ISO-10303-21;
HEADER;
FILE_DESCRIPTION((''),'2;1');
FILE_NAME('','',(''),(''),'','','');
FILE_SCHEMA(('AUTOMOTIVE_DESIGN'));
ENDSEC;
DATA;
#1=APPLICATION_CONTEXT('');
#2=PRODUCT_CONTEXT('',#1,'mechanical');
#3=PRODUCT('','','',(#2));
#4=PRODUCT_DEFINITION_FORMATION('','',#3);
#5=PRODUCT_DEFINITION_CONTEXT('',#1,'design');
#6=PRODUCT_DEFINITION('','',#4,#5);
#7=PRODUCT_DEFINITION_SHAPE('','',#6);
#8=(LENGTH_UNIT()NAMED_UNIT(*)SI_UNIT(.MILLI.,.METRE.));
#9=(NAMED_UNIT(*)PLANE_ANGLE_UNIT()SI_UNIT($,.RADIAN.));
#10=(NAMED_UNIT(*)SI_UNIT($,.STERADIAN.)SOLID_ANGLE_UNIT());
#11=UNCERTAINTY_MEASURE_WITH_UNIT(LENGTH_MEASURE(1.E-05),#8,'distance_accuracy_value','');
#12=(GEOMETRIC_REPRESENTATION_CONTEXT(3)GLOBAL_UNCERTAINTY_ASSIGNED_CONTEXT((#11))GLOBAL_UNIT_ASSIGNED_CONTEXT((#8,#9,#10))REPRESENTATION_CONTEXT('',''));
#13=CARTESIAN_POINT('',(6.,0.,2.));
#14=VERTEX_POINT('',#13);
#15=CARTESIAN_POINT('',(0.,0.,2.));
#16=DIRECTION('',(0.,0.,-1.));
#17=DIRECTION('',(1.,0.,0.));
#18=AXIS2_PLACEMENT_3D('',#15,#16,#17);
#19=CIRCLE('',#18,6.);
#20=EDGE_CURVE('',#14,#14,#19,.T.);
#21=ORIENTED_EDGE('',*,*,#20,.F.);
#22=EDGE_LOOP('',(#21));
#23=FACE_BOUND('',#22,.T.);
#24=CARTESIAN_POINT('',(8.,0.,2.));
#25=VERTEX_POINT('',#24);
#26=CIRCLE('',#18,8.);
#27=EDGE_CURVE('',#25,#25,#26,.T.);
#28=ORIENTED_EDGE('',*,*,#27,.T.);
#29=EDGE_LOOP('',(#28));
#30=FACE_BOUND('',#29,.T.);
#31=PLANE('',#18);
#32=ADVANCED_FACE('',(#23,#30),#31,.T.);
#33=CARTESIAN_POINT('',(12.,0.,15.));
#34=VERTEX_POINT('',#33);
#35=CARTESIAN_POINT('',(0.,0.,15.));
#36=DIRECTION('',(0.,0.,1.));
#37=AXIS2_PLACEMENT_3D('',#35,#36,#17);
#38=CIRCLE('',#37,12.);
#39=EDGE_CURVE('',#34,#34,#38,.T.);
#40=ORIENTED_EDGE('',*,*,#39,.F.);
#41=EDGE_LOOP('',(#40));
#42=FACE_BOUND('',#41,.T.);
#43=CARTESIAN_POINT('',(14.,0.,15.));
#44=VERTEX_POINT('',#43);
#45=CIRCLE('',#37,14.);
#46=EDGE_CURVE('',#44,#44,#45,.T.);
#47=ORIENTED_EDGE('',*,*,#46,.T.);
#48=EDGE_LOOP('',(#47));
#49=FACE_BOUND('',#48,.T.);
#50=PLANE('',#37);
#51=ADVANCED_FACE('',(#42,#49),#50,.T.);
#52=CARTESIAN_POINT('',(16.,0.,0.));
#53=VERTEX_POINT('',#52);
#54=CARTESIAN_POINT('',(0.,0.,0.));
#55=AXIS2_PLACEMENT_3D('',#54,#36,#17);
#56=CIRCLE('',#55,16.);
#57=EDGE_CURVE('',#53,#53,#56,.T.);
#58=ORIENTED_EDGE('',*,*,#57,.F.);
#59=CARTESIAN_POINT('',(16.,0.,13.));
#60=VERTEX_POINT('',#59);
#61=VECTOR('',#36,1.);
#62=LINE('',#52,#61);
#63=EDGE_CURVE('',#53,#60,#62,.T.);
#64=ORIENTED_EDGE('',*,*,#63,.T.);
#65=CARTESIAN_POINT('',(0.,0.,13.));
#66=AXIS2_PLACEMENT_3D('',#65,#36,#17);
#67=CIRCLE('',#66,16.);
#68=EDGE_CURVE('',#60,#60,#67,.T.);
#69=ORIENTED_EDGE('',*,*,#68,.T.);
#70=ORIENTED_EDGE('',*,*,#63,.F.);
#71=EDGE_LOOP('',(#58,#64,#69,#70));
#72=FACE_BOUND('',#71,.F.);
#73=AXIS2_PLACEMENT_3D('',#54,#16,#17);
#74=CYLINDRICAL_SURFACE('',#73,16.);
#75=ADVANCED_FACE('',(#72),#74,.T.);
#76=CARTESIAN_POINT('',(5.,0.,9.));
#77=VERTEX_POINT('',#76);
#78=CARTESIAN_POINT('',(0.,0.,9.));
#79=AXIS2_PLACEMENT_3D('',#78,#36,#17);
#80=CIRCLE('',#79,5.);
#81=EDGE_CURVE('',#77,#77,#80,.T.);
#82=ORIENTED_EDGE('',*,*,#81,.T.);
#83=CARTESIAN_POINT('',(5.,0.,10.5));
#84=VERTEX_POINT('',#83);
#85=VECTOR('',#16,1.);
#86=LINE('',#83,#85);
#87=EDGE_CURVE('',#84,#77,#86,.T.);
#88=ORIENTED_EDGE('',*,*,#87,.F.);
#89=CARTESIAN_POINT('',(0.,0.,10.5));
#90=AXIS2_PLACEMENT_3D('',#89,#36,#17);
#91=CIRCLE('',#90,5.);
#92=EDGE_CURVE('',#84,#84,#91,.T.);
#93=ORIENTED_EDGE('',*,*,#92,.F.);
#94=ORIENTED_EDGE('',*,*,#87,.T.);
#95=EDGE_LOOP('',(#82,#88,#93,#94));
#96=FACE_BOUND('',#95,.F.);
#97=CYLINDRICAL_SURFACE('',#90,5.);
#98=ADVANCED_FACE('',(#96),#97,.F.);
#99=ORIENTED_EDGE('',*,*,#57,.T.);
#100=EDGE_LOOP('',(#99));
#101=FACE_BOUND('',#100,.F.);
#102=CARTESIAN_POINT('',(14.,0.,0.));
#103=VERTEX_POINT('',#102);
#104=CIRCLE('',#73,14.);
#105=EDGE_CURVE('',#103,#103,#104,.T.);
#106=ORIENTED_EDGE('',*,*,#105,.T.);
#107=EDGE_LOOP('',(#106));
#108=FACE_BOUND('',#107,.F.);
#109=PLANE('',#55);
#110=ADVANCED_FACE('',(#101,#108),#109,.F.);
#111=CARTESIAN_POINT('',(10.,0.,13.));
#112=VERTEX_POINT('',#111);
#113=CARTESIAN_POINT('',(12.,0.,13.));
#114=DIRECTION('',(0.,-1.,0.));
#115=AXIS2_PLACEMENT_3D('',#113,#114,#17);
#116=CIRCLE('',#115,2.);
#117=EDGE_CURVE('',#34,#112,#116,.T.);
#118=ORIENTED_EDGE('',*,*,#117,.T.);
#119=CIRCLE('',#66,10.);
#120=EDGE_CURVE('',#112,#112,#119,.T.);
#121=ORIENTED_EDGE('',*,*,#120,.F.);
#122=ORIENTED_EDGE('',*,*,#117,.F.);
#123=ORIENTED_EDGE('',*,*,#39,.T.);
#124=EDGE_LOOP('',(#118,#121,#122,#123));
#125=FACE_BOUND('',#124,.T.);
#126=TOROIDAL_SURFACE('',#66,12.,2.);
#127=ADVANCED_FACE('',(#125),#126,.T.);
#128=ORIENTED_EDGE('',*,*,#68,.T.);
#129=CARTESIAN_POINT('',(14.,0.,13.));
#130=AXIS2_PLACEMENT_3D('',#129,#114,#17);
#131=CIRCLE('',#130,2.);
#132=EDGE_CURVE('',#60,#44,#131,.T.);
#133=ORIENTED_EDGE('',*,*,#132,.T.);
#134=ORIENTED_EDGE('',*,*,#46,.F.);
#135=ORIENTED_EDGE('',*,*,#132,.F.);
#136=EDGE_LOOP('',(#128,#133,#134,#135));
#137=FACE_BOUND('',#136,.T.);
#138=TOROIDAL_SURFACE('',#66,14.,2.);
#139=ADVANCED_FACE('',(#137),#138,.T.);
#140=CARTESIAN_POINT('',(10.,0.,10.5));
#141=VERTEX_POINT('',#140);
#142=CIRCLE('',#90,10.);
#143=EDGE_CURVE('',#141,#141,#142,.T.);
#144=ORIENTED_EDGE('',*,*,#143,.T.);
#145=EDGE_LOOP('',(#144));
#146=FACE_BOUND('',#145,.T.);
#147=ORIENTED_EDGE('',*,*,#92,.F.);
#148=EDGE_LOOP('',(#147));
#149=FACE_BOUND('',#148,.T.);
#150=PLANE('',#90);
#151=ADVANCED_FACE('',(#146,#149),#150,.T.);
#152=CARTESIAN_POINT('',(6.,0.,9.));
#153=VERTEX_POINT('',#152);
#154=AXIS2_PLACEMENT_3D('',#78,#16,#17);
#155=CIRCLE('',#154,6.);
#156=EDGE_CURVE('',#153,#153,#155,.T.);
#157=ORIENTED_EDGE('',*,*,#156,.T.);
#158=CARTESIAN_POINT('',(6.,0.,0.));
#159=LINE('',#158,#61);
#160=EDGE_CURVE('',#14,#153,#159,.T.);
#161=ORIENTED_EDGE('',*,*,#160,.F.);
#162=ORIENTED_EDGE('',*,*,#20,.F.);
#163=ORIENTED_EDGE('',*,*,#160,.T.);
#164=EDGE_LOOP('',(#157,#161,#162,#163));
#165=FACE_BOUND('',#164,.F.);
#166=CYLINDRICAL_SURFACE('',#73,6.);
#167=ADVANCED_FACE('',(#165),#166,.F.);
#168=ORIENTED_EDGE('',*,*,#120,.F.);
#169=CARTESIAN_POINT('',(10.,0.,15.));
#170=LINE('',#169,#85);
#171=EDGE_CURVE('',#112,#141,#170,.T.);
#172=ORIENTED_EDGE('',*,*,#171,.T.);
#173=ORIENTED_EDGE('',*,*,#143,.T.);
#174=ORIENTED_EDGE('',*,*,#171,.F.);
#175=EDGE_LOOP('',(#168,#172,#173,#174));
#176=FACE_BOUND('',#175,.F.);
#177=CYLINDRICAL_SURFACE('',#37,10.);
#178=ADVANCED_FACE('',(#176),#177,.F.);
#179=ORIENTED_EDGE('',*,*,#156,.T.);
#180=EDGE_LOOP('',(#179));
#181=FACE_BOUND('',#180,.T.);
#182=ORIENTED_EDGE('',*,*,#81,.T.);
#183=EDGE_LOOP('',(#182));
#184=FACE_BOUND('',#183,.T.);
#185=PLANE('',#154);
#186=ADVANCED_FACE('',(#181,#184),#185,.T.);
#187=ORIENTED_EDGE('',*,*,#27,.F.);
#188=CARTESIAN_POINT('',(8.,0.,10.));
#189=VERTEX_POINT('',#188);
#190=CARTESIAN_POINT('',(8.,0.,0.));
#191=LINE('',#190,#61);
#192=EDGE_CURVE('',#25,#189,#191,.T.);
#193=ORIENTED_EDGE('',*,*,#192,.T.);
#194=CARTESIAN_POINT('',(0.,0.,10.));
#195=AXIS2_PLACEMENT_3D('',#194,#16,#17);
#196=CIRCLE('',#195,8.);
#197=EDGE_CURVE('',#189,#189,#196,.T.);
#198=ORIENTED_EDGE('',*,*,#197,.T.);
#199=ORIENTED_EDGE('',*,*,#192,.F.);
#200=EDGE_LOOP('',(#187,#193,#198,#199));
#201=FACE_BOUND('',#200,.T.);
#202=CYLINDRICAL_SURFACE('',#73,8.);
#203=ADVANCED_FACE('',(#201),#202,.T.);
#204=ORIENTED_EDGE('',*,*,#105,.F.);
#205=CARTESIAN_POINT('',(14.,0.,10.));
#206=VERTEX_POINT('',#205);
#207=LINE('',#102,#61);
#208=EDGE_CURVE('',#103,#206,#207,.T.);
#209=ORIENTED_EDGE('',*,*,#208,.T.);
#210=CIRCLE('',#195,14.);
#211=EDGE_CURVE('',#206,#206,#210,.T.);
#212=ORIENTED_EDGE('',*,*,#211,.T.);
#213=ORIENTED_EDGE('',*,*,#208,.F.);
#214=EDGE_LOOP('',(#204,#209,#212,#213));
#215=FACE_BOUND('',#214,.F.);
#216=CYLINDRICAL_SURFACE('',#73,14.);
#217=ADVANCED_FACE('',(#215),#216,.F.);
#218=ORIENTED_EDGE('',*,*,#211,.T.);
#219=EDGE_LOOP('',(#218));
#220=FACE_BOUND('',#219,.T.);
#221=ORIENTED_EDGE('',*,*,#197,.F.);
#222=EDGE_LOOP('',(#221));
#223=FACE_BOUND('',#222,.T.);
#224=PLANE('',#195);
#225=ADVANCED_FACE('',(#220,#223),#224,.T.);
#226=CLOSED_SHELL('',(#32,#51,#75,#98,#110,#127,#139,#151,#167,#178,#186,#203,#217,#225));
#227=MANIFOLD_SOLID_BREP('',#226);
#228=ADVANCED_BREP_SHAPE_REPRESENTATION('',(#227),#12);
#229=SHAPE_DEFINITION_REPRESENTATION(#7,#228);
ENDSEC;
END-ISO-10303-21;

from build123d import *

# Parameters (mm, degrees)
F0_R      = 16
F1_DEPTH  = 15
F2_R      = 10
F3_DEPTH  = 4.5
F4_R      = 14
F4_R_2    = 8
F5_DEPTH  = 10
F6_R      = 6
F7_DEPTH  = 9
F8_R      = 5
F9_DEPTH  = 25
F10_R     = 8
F10_R_2   = 6
F11_DEPTH = 2
F12_R     = 2


with BuildPart() as f1:
    # F0 (on Top) → F1 (new body)
    with BuildSketch(Plane.XY):
        Circle(F0_R)
    extrude(amount=F1_DEPTH)

    # F2 (on face) → F3 (cut)
    with BuildSketch(Plane.XY.offset(15)):
        Circle(F2_R)
    extrude(amount=-F3_DEPTH, mode=Mode.SUBTRACT)

    # F4 (on face) → F5 (cut)
    with BuildSketch(Plane(origin=(0, 0, 0), x_dir=(1, 0, 0), z_dir=(0, 0, -1))):
        Circle(F4_R)
        Circle(F4_R_2, mode=Mode.SUBTRACT)
    extrude(amount=-F5_DEPTH, mode=Mode.SUBTRACT)

    # F6 (on face) → F7 (cut)
    with BuildSketch(Plane(origin=(0, 0, 0), x_dir=(1, 0, 0), z_dir=(0, 0, -1))):
        Circle(F6_R)
    extrude(amount=-F7_DEPTH, mode=Mode.SUBTRACT)

    # F8 (on face) → F9 (cut)
    with BuildSketch(Plane.XY.offset(10.5)):
        Circle(F8_R)
    extrude(amount=-F9_DEPTH, mode=Mode.SUBTRACT)

    # F10 (on face) → F11 (cut)
    with BuildSketch(Plane(origin=(0, 0, 0), x_dir=(1, 0, 0), z_dir=(0, 0, -1))):
        Circle(F10_R)
        Circle(F10_R_2, mode=Mode.SUBTRACT)
    extrude(amount=-F11_DEPTH, mode=Mode.SUBTRACT)

    # F12
    f12_edges = [f1.edges().sort_by_distance(p)[0] for p in [
        (-16, 0, 15),
        (-10, 0, 15),
    ]]
    fillet(f12_edges, radius=F12_R)


solid = f1.part
